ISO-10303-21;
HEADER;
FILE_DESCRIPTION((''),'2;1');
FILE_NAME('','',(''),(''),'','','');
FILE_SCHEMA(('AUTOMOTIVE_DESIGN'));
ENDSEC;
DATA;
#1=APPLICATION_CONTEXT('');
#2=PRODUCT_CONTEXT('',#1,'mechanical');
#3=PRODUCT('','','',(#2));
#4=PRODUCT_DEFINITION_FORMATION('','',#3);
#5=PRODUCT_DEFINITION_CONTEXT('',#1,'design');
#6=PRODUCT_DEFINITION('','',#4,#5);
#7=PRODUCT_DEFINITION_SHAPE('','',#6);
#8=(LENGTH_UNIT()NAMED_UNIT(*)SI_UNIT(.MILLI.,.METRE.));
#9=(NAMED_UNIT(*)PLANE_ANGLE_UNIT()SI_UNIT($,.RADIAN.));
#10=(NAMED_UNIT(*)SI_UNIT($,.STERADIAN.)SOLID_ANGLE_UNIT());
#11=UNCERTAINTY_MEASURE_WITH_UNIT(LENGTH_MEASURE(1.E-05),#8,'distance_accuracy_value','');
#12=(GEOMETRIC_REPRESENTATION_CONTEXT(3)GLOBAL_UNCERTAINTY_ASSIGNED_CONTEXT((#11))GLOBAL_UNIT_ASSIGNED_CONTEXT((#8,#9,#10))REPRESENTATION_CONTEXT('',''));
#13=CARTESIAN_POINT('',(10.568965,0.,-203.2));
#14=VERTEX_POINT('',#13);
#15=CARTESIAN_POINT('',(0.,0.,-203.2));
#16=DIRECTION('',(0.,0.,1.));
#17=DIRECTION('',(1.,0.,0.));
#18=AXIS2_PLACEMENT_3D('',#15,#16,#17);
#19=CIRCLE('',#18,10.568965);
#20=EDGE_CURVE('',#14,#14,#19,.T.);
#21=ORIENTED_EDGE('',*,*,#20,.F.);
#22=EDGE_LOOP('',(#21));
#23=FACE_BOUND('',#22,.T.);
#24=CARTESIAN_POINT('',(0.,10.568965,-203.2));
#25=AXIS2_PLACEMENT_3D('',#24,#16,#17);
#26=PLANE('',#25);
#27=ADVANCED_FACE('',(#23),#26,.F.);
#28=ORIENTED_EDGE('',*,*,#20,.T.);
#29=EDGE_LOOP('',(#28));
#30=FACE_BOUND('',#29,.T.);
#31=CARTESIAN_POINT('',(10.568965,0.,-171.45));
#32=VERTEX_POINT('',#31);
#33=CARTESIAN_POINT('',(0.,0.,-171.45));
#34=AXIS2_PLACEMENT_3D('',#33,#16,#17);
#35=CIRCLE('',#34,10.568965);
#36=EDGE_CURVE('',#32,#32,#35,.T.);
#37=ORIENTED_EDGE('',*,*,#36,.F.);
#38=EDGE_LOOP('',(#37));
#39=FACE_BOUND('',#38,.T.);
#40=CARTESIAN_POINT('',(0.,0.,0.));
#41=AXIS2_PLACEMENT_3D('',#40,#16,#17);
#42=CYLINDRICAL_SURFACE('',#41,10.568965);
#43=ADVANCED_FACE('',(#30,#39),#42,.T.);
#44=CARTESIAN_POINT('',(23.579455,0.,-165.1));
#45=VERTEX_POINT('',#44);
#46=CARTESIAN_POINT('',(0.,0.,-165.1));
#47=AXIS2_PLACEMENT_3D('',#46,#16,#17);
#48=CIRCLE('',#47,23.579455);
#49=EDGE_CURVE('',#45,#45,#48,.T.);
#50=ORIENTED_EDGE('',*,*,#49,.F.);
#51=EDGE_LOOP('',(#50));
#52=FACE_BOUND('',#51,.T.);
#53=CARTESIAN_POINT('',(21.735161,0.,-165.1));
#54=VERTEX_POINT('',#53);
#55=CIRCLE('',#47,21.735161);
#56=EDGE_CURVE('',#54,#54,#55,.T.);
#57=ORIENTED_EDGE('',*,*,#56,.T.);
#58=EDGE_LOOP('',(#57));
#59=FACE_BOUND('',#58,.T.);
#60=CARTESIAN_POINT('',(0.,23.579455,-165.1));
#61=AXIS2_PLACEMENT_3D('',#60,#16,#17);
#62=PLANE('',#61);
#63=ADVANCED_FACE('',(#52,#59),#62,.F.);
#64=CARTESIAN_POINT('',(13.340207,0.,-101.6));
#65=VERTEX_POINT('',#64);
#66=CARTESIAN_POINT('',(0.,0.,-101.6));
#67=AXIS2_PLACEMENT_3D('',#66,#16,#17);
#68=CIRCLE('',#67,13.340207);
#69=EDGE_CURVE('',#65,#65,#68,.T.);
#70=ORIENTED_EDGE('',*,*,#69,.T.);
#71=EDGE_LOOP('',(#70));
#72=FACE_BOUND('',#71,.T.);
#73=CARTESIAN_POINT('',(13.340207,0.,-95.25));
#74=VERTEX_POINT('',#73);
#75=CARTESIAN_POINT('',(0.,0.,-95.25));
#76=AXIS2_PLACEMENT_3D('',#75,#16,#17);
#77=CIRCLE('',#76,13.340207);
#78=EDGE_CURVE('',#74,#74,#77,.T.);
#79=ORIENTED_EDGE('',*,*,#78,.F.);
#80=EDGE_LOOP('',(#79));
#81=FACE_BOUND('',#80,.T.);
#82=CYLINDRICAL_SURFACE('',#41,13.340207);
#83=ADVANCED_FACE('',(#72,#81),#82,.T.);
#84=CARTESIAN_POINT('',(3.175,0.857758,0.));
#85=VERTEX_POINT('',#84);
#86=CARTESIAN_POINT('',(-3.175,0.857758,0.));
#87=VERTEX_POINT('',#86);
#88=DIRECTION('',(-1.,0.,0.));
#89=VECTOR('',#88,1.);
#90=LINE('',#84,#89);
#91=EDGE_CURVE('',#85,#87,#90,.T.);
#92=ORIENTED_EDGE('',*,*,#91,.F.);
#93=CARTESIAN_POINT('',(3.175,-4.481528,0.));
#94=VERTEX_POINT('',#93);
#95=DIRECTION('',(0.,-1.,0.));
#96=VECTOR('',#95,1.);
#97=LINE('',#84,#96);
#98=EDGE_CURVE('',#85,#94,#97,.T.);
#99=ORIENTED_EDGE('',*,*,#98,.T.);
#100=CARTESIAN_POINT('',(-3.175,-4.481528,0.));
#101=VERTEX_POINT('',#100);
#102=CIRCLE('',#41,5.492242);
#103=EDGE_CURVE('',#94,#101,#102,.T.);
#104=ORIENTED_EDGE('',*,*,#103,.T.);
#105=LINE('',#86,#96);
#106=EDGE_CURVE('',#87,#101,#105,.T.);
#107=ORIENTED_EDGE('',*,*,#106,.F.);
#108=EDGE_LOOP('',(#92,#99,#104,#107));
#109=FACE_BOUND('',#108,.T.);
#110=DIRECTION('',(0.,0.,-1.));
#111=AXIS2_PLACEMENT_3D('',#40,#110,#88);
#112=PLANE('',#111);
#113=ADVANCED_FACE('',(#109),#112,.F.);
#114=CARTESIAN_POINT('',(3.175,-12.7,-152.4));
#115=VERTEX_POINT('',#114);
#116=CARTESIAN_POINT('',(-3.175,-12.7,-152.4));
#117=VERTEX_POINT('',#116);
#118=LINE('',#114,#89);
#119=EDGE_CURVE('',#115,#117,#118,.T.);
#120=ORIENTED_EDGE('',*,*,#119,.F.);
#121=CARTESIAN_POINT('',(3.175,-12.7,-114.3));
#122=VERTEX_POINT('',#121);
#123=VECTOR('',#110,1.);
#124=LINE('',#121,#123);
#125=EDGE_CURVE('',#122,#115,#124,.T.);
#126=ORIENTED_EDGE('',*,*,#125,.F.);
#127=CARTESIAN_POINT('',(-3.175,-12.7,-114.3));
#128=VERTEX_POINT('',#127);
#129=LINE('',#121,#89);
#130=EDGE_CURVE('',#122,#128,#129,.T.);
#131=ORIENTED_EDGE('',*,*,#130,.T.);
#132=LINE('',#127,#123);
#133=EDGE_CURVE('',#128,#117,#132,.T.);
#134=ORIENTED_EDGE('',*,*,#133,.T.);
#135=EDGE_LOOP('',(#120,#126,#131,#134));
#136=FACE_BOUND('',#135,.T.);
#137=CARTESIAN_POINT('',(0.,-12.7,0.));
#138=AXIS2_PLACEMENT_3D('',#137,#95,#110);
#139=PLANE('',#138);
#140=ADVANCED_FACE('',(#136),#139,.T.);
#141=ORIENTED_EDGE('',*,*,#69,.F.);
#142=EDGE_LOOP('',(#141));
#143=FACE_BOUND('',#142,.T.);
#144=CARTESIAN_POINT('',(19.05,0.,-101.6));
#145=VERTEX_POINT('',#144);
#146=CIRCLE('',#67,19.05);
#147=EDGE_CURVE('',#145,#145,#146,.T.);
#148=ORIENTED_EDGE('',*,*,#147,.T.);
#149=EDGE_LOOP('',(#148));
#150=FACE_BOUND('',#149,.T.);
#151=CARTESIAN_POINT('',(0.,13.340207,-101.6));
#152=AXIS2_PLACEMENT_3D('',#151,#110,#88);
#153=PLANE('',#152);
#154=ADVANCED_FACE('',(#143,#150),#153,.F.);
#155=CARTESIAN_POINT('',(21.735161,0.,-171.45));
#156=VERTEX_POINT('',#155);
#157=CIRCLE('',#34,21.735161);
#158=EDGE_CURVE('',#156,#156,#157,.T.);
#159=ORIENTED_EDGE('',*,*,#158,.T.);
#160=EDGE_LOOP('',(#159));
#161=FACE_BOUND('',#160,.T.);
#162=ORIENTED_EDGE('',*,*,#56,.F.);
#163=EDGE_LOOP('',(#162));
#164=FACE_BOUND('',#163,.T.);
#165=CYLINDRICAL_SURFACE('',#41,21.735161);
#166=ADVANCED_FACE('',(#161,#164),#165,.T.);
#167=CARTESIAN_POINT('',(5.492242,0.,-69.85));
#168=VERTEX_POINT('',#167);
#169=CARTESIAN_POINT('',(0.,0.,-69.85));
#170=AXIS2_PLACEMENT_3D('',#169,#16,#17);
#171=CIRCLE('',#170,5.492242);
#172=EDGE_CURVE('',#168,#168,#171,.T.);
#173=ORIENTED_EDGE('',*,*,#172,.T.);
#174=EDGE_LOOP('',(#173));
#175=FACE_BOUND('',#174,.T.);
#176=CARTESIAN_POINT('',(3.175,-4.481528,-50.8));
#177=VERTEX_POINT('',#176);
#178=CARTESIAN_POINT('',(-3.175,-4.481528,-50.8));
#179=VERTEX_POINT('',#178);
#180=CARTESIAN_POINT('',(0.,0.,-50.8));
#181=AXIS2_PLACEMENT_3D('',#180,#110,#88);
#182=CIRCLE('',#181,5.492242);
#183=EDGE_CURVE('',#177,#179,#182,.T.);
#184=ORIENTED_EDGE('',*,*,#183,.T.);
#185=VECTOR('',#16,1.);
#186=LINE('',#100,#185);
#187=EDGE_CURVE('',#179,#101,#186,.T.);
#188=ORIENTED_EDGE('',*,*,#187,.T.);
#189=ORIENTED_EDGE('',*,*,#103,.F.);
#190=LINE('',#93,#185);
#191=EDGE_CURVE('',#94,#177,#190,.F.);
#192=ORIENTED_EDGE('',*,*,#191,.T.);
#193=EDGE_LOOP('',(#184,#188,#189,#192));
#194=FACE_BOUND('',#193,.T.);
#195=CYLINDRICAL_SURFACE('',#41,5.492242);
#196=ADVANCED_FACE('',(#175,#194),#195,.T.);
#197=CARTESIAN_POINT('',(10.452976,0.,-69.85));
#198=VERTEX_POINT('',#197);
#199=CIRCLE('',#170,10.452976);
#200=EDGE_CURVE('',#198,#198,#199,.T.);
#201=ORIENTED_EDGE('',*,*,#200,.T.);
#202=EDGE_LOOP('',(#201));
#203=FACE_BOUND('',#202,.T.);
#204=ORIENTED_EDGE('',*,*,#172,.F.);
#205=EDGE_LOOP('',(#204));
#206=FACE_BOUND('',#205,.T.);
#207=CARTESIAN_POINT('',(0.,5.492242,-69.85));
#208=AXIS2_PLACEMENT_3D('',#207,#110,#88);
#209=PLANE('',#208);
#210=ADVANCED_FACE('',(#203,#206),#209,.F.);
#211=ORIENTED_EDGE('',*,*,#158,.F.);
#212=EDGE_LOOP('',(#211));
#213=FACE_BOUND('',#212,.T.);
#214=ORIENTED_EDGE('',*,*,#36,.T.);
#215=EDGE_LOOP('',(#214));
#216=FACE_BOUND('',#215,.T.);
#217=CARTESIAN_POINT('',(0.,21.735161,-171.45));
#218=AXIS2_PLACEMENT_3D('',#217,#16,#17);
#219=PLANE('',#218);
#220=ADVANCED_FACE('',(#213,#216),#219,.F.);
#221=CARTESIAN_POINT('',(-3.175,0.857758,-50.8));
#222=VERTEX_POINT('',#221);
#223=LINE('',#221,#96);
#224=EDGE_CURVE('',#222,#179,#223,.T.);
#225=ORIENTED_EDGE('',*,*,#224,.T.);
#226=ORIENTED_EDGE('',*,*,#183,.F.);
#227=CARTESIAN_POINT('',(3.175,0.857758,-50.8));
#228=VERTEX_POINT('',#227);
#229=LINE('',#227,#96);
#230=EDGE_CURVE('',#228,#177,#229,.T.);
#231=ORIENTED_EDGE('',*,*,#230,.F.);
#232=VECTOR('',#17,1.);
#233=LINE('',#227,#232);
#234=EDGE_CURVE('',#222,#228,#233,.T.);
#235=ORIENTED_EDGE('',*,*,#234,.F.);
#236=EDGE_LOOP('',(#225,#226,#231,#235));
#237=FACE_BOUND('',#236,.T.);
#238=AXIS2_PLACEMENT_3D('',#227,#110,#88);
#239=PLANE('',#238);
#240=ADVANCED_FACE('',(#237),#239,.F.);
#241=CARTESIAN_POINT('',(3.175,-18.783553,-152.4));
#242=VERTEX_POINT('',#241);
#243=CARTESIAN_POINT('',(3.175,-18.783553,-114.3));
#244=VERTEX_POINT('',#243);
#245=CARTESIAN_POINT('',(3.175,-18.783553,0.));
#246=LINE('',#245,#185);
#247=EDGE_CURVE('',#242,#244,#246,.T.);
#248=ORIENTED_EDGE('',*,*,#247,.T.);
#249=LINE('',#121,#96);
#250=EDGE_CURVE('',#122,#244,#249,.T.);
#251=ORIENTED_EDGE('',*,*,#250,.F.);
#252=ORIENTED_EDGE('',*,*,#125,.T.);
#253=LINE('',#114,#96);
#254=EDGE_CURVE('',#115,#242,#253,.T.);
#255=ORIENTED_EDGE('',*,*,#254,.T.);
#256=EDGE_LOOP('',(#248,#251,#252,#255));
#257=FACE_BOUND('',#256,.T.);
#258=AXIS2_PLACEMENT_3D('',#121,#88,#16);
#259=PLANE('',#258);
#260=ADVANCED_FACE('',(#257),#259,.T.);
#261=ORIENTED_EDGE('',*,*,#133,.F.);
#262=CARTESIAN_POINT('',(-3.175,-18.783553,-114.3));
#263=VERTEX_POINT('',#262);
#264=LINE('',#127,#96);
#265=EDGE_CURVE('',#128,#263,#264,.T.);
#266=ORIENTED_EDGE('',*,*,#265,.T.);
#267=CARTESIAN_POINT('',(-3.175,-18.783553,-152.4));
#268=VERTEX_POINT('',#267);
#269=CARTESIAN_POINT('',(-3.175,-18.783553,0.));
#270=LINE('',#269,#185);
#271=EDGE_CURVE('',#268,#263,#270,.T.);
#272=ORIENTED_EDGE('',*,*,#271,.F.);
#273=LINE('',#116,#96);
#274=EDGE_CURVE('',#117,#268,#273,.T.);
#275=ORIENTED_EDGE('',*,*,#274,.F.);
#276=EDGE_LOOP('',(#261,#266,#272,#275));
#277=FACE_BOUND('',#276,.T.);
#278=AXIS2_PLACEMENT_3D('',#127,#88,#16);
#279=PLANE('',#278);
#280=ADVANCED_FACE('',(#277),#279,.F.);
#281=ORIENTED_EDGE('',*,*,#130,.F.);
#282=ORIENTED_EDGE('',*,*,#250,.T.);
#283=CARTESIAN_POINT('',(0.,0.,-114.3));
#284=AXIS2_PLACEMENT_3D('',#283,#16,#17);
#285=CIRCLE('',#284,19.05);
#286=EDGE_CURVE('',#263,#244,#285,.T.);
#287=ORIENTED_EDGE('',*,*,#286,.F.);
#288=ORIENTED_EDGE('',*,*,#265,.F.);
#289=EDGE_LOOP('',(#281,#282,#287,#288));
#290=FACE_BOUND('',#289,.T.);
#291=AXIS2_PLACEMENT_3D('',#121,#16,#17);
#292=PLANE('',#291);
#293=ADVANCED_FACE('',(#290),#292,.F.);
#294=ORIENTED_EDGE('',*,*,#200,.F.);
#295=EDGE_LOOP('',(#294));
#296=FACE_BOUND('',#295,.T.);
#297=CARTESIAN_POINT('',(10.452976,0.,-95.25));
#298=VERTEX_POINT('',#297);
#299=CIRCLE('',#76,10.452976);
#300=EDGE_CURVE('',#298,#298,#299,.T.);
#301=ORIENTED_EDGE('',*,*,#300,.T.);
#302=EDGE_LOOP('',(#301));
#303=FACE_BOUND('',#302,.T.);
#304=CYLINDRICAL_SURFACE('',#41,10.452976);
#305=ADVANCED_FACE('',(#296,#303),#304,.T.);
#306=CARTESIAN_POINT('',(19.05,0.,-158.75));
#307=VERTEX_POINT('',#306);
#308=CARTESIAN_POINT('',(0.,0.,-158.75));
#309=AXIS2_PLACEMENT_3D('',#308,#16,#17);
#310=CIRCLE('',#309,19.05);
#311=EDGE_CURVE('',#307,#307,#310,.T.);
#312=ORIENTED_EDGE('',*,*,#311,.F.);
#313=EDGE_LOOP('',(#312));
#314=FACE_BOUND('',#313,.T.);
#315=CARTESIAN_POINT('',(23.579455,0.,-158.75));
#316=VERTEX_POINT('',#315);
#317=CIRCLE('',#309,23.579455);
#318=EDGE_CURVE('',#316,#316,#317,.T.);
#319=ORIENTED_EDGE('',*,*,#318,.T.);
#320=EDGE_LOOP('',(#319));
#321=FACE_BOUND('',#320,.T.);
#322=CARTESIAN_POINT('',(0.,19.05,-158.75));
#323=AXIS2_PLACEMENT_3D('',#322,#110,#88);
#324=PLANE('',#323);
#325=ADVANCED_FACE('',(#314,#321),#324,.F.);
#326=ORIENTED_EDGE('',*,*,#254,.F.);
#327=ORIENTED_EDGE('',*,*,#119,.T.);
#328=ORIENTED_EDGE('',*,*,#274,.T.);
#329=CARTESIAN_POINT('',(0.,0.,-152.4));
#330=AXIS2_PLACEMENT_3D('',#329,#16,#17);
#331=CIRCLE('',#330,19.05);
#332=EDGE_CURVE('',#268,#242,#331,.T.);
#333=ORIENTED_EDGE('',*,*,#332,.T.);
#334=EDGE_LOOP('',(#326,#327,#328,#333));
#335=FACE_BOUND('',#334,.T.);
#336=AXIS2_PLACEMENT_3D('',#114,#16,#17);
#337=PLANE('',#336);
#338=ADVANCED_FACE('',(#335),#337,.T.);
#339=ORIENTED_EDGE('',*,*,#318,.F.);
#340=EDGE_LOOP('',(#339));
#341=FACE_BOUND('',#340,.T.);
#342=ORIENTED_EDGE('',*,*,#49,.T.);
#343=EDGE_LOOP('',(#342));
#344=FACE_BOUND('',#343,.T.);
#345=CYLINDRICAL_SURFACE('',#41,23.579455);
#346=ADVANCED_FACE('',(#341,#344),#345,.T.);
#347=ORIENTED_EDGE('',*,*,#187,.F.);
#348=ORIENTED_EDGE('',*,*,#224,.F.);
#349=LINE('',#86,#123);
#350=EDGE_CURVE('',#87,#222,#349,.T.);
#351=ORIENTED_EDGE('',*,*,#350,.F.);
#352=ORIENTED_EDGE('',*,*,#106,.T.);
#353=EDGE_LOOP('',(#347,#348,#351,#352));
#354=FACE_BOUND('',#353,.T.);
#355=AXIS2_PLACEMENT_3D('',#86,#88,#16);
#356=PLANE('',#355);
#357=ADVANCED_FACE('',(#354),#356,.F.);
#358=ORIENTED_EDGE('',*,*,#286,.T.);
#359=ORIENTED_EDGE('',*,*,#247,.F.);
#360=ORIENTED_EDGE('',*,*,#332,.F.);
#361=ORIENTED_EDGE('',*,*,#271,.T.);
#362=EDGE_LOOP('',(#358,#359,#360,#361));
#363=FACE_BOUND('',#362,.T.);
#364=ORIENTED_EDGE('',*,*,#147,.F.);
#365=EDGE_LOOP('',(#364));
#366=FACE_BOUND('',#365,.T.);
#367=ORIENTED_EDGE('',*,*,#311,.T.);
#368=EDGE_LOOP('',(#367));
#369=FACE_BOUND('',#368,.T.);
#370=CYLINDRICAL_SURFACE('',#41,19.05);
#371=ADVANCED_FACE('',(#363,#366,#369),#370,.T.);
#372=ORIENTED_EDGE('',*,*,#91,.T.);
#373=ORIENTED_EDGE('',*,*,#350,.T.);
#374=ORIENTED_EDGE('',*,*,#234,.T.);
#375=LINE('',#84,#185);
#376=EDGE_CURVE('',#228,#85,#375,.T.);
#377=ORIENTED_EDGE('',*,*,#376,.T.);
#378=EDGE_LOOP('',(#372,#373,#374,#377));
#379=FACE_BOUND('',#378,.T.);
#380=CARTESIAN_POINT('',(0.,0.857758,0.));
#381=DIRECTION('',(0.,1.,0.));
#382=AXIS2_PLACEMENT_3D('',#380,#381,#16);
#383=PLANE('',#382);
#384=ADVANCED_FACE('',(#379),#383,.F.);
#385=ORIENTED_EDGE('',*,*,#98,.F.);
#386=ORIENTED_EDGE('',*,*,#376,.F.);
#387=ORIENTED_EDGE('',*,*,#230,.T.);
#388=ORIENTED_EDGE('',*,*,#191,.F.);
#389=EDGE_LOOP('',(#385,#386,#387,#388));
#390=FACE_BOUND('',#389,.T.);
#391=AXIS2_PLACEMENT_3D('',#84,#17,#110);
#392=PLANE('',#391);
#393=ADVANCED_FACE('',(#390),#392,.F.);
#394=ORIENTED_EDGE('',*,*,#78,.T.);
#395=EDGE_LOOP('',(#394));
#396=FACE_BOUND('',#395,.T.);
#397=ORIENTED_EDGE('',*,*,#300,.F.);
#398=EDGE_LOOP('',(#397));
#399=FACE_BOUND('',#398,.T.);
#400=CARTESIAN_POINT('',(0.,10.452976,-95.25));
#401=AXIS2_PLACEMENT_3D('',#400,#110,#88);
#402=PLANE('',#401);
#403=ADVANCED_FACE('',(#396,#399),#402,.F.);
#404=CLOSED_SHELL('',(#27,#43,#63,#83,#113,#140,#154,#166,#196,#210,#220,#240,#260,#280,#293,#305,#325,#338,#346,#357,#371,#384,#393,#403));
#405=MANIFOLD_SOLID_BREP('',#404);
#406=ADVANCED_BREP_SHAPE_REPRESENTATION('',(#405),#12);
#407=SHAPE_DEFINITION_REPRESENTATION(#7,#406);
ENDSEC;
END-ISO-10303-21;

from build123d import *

# Parameters (mm, degrees)
SKETCH2_W          = 6.35
SKETCH2_H          = 50.8
CUT_EXTRUDE1_DEPTH = 6.35
SKETCH3_W          = 6.35
SKETCH3_H          = 38.1
CUT_EXTRUDE2_DEPTH = 6.35


with BuildPart() as part:
    # Sketch1 → Revolve1 (revolve)
    with BuildSketch(Plane(origin=(0, 0, 0), x_dir=(0, 0, -1), z_dir=(1, 0, 0)), mode=Mode.PRIVATE) as revolve1_sk:
        Polygon((0, 0), (0, 5.492242), (69.85, 5.492242), (69.85, 10.4529763), (95.25, 10.4529763), (95.25, 13.340207), (101.6, 13.340207), (101.6, 19.05), (158.75, 19.05), (158.75, 23.579455), (165.1, 23.579455), (165.1, 21.735161), (171.45, 21.735161), (171.45, 10.5689654), (203.2, 10.5689654), (203.2, 0), align=None)
    revolve(revolve1_sk.sketch.rotate(Axis((0, 0, 0), (0, 0, -1)), 90), axis=Axis((0, 0, 0), (0, 0, -1)))

    # Sketch2 → Cut-Extrude1 (cut)
    with BuildSketch(Plane(origin=(0, -5.492242, 0), x_dir=(-1, 0, 0), z_dir=(0, -1, 0))):
        with Locations((0, 25.4)):
            Rectangle(SKETCH2_W, SKETCH2_H)
    extrude(amount=-CUT_EXTRUDE1_DEPTH, mode=Mode.SUBTRACT)

    # Sketch3 → Cut-Extrude2 (cut)
    with BuildSketch(Plane(origin=(0, -19.05, 0), x_dir=(-1, 0, 0), z_dir=(0, -1, 0))):
        with Locations((0, 133.35)):
            Rectangle(SKETCH3_W, SKETCH3_H)
    extrude(amount=-CUT_EXTRUDE2_DEPTH, mode=Mode.SUBTRACT)


solid = part.part
